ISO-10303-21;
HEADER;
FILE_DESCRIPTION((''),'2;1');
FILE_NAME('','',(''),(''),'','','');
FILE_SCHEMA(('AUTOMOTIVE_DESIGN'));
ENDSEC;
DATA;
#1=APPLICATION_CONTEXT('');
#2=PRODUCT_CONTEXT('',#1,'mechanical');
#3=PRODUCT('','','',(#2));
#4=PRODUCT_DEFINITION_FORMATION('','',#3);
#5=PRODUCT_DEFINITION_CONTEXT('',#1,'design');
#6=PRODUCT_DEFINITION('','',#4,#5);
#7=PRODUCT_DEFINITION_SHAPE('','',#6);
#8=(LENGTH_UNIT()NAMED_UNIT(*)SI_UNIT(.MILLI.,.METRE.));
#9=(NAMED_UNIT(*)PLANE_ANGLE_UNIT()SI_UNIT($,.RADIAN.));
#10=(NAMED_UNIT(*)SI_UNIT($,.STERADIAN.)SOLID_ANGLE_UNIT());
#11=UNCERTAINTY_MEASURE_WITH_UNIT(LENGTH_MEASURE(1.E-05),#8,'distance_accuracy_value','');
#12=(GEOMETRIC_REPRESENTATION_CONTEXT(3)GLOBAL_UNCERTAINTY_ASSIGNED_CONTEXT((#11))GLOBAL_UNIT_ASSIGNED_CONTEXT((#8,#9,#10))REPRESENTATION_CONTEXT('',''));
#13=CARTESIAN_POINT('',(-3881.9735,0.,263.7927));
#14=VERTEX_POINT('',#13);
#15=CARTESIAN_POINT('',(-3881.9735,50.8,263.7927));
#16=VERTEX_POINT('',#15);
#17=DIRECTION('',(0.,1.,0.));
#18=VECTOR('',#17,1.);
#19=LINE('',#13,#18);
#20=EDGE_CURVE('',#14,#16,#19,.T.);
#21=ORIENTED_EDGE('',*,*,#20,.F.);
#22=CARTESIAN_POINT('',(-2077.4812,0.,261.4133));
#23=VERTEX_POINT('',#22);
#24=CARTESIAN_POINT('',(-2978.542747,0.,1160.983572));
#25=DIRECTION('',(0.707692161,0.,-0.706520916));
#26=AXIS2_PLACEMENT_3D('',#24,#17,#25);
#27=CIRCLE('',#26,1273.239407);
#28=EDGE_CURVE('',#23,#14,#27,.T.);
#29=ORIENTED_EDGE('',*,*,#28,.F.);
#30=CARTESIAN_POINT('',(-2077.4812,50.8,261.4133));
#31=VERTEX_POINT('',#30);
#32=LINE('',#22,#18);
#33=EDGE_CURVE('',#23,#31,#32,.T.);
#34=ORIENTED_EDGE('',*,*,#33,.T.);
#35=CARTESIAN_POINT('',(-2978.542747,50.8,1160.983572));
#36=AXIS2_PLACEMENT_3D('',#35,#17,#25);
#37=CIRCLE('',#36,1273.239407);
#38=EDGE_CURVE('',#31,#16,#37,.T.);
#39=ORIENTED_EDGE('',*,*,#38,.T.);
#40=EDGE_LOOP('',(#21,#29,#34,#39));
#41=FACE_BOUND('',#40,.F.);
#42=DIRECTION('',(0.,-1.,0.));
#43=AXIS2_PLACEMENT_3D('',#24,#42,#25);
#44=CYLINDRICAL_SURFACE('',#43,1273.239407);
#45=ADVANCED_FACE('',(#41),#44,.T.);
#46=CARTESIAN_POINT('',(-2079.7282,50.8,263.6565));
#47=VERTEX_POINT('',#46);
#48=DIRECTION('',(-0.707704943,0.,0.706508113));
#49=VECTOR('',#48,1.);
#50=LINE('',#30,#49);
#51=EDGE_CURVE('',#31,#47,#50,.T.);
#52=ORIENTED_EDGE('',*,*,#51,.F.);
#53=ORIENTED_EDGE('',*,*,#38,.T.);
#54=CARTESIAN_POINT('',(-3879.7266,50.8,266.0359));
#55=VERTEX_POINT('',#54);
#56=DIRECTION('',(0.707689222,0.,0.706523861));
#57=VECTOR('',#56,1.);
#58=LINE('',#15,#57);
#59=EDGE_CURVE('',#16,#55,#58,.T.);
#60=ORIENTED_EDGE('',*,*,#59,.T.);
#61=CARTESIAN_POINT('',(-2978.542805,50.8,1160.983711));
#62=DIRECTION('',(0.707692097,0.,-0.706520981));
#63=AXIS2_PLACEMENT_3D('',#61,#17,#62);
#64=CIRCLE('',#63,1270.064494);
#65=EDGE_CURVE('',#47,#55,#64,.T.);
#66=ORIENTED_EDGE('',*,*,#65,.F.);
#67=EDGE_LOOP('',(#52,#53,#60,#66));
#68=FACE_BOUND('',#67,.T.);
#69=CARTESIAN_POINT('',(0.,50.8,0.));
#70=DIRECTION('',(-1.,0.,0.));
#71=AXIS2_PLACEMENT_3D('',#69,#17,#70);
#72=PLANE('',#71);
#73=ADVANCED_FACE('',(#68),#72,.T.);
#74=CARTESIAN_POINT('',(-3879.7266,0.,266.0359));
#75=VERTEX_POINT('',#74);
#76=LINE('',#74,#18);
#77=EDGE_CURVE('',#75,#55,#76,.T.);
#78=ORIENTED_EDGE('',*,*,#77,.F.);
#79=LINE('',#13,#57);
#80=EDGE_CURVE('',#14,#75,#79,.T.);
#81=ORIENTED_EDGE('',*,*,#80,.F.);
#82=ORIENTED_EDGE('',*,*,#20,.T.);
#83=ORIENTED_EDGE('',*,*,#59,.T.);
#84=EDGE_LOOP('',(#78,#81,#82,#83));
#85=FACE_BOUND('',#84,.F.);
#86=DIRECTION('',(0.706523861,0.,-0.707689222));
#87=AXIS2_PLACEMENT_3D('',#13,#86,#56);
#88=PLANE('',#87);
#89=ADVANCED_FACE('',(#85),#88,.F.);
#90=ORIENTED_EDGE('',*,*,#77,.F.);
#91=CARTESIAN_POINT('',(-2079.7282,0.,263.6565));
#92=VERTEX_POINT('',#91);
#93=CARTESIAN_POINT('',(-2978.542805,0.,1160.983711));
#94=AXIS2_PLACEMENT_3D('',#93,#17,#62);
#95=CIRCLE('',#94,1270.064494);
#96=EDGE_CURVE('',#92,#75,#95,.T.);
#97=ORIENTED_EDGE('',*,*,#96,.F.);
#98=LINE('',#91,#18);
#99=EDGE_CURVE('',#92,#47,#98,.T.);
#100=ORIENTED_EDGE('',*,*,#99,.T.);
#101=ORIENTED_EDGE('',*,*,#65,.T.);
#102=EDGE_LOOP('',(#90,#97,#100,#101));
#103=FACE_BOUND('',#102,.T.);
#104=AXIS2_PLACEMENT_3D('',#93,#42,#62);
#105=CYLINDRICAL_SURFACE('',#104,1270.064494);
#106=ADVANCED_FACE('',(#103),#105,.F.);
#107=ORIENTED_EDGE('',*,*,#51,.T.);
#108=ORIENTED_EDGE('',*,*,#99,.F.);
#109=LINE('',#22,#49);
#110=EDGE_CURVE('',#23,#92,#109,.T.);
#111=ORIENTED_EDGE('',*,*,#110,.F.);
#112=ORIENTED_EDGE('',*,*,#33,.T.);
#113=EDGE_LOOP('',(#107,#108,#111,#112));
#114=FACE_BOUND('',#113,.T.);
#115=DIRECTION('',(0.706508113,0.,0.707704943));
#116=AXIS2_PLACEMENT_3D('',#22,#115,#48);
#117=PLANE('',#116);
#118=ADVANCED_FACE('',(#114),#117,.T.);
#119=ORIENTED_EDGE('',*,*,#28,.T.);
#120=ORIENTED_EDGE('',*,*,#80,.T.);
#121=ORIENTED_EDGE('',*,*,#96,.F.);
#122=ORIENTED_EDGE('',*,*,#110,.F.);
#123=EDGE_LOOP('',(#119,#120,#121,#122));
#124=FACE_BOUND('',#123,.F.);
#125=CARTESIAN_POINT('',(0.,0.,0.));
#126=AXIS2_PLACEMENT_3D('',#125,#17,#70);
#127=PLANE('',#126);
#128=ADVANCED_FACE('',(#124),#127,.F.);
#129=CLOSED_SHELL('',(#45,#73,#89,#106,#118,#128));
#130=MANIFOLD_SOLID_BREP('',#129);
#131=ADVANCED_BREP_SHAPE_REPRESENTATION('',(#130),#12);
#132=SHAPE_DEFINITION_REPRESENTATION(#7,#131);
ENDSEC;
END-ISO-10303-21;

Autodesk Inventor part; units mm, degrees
ref_plane "YZ Plane" through (0, 0, 0) normal (1, 0, 0) x (0, 1, 0)
ref_plane "XZ Plane" through (0, 0, 0) normal (0, 1, 0) x (-1, 0, 0)
ref_plane "XY Plane" through (0, 0, 0) normal (0, 0, 1) x (1, 0, 0)
sketch "Sketch1" plane through (0, 0, 0) normal (0, 1, 0) x (-1, 0, 0)
  arc A0 (2077.4812, 261.4133) -> (3881.9735, 263.7927) centre (2978.5428, 1160.9837) ccw
  arc A1 (2079.7282, 263.6565) -> (3879.7266, 266.0359) centre (2978.5428, 1160.9837) ccw
  line L0 (3881.9735, 263.7927) -> (3879.7266, 266.0359)
  line L1 (2077.4812, 261.4133) -> (2079.7282, 263.6565)
  point P0 (0, 0)
  dimension "d0" = 2546.4791
  dimension "d9" = 3.175
  dimension "d16" = 1800
extrude "Extrusion1" add sketch "Sketch1" along normal blind 50.8
properties part number "Chapa_Calço_Curvada"
